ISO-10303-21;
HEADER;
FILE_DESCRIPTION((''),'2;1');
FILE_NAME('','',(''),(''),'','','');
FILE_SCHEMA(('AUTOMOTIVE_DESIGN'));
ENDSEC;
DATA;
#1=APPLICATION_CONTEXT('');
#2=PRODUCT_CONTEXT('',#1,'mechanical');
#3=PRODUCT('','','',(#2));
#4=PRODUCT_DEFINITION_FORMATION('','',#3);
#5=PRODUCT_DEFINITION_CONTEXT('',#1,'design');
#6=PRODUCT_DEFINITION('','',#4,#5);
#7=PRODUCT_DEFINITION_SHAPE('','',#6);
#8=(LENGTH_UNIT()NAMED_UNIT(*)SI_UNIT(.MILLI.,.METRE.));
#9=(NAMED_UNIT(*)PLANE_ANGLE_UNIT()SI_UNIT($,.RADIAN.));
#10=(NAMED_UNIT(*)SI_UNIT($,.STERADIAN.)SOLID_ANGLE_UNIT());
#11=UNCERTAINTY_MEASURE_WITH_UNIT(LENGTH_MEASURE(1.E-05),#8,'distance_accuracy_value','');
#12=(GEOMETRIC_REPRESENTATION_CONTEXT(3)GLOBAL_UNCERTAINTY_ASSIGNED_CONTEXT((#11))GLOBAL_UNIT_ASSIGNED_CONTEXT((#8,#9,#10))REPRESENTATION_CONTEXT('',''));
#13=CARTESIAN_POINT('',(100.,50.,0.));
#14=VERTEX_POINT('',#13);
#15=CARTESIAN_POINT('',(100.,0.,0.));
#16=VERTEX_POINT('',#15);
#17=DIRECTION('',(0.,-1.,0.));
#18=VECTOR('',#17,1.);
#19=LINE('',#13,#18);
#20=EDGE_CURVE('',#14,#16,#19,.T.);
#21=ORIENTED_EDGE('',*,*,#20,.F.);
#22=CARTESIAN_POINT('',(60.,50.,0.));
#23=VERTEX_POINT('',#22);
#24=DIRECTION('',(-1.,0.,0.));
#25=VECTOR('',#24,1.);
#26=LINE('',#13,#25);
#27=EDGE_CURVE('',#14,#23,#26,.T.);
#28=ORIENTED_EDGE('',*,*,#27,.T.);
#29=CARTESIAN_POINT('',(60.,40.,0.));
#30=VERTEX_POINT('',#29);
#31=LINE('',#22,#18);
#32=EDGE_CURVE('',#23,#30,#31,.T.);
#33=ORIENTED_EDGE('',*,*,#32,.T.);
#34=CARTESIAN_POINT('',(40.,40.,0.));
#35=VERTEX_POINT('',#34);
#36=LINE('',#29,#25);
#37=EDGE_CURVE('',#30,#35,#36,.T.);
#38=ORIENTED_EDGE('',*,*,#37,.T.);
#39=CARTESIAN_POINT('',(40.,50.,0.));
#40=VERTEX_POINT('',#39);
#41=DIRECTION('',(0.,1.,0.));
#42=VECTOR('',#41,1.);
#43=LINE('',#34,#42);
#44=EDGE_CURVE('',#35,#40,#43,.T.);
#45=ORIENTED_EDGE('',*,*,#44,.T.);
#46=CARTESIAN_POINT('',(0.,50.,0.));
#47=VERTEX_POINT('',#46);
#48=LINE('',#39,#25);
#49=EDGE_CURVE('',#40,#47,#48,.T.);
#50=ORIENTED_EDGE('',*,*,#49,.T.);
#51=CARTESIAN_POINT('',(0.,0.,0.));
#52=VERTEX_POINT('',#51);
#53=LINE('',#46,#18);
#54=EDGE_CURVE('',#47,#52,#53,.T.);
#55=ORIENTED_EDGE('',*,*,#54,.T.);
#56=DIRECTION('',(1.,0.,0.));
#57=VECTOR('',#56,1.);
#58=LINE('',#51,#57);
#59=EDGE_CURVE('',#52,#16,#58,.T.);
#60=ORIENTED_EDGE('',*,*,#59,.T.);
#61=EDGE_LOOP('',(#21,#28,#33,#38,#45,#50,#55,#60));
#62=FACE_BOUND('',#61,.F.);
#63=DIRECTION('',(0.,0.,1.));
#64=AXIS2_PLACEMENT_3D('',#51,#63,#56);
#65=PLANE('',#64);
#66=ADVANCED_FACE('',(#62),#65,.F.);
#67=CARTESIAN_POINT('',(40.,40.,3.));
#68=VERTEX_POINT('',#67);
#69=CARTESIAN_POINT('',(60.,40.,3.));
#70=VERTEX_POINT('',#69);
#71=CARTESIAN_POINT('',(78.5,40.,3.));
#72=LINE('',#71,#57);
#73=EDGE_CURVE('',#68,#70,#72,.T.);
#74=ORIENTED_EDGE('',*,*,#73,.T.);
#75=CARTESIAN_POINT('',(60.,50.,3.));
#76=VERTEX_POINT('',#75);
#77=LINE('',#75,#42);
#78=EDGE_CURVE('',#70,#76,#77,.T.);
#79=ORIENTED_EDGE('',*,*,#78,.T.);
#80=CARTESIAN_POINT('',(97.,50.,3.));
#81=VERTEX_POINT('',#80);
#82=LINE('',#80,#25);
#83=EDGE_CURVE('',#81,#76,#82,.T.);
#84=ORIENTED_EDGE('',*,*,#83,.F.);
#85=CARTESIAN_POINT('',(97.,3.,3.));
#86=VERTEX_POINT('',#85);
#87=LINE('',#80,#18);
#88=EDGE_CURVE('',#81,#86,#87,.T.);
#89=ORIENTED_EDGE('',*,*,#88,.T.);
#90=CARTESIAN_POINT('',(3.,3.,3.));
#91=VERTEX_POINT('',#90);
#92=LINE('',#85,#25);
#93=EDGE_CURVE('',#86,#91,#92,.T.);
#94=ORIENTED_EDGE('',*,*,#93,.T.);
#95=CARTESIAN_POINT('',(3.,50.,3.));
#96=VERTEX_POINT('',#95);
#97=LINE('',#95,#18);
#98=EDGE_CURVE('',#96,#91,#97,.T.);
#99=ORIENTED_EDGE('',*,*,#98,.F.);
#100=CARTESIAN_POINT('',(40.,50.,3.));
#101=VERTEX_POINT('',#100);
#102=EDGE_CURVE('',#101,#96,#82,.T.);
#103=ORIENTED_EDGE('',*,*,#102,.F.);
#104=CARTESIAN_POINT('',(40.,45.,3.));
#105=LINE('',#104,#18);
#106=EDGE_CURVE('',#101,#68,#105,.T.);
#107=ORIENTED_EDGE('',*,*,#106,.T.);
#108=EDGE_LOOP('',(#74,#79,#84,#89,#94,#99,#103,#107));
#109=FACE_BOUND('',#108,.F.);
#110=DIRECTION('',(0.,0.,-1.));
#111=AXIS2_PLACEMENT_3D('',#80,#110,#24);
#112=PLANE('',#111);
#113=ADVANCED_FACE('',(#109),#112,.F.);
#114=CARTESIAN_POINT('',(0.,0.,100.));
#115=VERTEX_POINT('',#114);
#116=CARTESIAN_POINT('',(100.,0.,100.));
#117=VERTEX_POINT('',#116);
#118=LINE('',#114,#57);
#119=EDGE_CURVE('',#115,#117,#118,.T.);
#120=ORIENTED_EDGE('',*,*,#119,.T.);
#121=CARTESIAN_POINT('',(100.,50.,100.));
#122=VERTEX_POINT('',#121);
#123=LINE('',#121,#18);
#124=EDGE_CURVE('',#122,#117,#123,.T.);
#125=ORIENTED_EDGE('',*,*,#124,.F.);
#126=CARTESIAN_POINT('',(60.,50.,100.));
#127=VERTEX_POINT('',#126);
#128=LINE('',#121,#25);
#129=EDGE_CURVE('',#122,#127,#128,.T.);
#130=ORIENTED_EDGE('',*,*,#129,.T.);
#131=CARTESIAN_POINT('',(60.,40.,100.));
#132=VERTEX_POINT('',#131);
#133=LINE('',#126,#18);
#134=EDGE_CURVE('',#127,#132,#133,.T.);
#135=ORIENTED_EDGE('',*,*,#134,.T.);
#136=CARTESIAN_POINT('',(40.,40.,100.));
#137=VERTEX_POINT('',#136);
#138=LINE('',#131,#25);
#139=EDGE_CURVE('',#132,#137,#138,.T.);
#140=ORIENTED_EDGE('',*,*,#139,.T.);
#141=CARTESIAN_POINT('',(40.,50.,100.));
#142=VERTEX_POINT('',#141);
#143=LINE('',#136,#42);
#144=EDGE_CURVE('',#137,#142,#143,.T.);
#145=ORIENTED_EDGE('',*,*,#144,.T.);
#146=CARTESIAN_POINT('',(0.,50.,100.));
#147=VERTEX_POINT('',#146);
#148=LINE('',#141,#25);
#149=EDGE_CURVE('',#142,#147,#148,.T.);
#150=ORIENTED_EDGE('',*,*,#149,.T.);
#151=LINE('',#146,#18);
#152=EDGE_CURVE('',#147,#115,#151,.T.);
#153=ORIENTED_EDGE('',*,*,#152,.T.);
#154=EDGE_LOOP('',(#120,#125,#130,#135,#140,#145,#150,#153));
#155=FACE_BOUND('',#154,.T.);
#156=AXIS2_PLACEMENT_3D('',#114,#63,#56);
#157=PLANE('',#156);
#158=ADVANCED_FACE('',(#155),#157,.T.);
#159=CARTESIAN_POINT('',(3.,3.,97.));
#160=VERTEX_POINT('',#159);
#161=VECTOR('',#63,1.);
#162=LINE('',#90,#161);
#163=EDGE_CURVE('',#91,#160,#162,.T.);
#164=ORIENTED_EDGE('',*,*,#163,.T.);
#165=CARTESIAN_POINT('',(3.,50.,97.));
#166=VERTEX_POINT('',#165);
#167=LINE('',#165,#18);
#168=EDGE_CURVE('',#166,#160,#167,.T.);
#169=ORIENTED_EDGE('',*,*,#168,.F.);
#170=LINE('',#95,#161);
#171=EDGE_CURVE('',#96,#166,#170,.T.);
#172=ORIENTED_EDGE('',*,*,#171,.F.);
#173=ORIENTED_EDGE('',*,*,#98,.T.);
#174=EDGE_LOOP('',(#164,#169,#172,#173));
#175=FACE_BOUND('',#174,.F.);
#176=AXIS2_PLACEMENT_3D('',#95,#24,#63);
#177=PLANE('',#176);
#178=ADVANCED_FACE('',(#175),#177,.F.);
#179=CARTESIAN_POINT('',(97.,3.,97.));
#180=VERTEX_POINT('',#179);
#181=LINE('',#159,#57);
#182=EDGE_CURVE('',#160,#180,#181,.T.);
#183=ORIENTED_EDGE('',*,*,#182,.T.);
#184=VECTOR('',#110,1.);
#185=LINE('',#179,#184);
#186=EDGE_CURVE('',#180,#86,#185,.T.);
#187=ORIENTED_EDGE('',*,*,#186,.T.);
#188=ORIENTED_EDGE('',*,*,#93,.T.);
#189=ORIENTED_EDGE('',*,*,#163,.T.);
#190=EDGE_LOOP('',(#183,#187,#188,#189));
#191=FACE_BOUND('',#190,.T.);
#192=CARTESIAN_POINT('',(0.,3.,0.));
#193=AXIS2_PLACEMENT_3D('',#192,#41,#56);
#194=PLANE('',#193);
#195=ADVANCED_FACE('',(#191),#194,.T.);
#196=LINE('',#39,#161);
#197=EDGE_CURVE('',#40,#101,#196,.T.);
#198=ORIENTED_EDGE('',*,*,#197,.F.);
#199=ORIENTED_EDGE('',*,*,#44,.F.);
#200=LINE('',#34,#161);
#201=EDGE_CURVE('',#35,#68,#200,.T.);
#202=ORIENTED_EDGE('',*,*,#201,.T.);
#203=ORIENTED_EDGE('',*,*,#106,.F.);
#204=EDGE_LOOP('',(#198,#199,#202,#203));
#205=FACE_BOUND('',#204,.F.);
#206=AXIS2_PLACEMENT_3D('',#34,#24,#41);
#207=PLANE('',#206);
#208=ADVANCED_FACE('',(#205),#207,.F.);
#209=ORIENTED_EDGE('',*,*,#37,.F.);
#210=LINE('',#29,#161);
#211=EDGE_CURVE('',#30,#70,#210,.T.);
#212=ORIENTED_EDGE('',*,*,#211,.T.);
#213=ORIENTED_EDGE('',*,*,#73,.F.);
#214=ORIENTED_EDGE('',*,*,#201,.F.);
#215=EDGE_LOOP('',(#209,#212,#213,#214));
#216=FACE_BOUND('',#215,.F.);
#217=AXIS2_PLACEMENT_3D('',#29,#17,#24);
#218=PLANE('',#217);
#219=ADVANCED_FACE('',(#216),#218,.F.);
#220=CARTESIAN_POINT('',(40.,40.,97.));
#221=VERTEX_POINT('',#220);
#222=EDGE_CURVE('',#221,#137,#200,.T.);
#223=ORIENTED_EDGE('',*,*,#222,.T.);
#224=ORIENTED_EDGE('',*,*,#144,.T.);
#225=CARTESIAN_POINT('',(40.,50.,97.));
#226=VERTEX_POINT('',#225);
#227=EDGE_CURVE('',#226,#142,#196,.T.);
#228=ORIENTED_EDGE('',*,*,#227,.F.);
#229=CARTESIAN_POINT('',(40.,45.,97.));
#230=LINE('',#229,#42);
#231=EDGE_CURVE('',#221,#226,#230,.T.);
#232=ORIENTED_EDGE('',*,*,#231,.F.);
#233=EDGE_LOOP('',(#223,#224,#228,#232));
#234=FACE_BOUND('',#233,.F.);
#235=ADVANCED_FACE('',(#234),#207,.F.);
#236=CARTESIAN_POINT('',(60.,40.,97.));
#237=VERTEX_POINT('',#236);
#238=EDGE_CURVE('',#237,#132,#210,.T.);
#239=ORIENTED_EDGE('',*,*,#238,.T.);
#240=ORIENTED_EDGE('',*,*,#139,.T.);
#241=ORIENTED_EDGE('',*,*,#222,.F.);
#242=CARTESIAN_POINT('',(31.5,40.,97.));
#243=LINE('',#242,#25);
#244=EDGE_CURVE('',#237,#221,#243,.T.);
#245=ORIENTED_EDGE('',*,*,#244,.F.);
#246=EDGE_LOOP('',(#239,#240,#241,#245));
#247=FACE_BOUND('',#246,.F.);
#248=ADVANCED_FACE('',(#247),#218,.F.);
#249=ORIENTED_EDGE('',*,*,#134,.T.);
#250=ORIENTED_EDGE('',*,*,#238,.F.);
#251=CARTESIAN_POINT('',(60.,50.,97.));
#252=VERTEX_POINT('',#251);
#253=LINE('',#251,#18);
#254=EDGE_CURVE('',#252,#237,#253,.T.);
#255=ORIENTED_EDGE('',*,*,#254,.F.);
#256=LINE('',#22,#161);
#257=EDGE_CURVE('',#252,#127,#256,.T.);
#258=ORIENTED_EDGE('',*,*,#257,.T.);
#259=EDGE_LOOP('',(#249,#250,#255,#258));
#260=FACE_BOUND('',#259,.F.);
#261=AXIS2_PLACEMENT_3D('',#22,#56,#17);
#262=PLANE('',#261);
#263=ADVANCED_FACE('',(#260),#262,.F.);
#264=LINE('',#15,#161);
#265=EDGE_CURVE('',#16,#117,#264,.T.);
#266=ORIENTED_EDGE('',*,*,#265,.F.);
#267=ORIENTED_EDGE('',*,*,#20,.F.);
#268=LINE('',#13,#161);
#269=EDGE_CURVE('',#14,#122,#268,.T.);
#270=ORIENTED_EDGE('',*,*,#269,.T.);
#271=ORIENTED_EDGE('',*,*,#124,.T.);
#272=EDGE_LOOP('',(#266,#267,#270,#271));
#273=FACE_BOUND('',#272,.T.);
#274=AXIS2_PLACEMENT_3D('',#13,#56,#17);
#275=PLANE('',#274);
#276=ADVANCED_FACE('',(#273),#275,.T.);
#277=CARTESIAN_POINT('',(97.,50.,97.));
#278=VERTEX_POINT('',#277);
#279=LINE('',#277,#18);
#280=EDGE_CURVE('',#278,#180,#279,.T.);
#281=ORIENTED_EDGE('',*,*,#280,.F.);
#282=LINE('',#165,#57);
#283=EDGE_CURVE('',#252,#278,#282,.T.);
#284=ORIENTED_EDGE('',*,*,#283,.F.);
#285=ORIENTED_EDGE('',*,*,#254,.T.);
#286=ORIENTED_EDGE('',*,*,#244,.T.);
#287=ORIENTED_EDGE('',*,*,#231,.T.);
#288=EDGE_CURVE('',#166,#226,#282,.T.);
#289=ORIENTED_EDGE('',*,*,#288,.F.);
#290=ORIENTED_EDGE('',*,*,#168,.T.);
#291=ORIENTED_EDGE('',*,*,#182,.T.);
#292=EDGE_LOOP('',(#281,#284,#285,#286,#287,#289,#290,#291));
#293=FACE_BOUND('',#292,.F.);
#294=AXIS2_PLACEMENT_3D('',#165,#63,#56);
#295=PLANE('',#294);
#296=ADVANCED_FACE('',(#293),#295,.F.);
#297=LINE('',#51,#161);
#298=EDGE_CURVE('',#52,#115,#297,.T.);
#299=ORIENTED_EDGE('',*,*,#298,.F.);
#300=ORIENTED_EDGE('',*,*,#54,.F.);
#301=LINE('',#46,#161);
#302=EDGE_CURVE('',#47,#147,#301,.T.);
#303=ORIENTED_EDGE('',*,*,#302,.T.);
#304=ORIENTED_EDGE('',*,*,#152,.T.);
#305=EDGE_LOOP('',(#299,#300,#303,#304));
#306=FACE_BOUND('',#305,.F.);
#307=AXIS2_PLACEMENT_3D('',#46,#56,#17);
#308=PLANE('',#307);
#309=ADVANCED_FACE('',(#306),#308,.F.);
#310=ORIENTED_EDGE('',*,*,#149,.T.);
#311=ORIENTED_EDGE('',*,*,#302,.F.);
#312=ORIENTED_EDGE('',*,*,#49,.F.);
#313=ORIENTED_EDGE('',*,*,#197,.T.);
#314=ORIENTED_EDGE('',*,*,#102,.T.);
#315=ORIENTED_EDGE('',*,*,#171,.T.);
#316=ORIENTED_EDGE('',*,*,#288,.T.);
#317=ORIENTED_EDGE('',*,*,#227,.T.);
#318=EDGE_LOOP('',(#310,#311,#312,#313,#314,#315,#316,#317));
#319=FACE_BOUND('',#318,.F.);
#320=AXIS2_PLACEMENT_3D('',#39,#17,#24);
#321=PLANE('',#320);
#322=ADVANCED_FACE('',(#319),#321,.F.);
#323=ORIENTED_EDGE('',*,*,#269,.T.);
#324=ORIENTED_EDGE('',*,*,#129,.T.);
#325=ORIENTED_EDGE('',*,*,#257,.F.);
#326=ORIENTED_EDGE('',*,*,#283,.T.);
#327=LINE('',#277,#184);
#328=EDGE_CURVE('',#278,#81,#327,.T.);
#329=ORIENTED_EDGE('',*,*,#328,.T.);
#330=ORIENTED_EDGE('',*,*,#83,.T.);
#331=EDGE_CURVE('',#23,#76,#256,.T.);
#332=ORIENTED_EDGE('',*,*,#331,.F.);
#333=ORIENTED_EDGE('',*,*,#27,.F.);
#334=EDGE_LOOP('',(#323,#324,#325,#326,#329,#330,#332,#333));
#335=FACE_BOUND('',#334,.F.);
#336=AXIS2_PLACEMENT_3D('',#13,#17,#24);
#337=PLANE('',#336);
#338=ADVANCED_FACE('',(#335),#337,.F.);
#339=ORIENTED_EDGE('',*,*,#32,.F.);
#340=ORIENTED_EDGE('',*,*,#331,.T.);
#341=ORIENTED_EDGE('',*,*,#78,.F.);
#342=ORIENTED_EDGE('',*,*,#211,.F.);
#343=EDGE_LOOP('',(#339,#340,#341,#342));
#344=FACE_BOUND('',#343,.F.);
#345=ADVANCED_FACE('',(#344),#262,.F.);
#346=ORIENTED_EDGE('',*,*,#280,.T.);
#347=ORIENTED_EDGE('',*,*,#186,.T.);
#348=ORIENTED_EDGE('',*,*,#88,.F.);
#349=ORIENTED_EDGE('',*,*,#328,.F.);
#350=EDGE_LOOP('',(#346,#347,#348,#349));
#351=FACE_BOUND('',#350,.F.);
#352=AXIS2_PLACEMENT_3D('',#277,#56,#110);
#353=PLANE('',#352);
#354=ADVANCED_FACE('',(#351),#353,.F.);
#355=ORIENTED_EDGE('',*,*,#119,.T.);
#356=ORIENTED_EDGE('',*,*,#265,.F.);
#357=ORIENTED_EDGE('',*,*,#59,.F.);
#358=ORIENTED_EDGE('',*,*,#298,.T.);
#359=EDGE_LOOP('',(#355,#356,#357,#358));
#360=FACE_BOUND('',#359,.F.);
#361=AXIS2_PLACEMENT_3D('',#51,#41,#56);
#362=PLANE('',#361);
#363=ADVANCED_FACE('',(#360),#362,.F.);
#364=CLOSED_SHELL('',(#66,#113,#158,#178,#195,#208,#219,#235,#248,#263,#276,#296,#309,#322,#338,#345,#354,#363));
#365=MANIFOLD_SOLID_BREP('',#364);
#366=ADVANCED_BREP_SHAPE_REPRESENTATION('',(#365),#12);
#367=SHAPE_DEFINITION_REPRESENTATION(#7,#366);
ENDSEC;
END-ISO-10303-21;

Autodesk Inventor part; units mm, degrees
ref_plane "YZ Plane" through (0, 0, 0) normal (1, 0, 0) x (0, 1, 0)
ref_plane "XZ Plane" through (0, 0, 0) normal (0, 1, 0) x (-1, 0, 0)
ref_plane "XY Plane" through (0, 0, 0) normal (0, 0, 1) x (1, 0, 0)
sketch "Sketch1" plane through (0, 0, 0) normal (0, 0, 1) x (1, 0, 0)
  line L0 (0, 0) -> (100, 0)
  line L1 (100, 50) -> (60, 50)
  line L2 (60, 50) -> (60, 40)
  line L3 (60, 40) -> (40, 40)
  line L4 (40, 40) -> (40, 50)
  line L5 (40, 50) -> (0, 50)
  line L6 (0, 50) -> (0, 0)
  line L7 (100, 50) -> (100, 0)
  dimension "d0" = 100
  dimension "d1" = 50
  dimension "d2" = 40
  dimension "d3" = 10
  dimension "d4" = 20
  dimension "d5" = 10
  dimension "d6" = 40
  dimension "d7" = 50
  dimension "d34" = 50
  dimension "d35" = 50
extrude "Extrusion3" add sketch "Sketch1" along normal blind 100
sketch "Sketch3" plane through (0, 50, 0) normal (0, 1, 0) x (1, 0, 0)
  line L0 (0, 0) -> (0, -100) projected
  line L1 (0, 0) -> (100, 0) projected
  line L2 (0, 0) -> (100, 0)
  line L3 (0, -100) -> (100, -100) projected
  line L4 (100, 0) -> (100, -100)
  line L5 (100, -100) -> (0, -100)
  line L6 (0, -100) -> (0, 0)
  line L7 (97, -97) -> (97, -3)
  line L8 (97, -3) -> (3, -3)
  line L9 (3, -3) -> (3, -97)
  line L10 (3, -97) -> (97, -97)
  dimension "d38" = 3
extrude "Extrusion4" cut sketch "Sketch3" against normal blind 47 contours L10 L9 L8 L7
properties part number "10cmX10cmDrawer"
